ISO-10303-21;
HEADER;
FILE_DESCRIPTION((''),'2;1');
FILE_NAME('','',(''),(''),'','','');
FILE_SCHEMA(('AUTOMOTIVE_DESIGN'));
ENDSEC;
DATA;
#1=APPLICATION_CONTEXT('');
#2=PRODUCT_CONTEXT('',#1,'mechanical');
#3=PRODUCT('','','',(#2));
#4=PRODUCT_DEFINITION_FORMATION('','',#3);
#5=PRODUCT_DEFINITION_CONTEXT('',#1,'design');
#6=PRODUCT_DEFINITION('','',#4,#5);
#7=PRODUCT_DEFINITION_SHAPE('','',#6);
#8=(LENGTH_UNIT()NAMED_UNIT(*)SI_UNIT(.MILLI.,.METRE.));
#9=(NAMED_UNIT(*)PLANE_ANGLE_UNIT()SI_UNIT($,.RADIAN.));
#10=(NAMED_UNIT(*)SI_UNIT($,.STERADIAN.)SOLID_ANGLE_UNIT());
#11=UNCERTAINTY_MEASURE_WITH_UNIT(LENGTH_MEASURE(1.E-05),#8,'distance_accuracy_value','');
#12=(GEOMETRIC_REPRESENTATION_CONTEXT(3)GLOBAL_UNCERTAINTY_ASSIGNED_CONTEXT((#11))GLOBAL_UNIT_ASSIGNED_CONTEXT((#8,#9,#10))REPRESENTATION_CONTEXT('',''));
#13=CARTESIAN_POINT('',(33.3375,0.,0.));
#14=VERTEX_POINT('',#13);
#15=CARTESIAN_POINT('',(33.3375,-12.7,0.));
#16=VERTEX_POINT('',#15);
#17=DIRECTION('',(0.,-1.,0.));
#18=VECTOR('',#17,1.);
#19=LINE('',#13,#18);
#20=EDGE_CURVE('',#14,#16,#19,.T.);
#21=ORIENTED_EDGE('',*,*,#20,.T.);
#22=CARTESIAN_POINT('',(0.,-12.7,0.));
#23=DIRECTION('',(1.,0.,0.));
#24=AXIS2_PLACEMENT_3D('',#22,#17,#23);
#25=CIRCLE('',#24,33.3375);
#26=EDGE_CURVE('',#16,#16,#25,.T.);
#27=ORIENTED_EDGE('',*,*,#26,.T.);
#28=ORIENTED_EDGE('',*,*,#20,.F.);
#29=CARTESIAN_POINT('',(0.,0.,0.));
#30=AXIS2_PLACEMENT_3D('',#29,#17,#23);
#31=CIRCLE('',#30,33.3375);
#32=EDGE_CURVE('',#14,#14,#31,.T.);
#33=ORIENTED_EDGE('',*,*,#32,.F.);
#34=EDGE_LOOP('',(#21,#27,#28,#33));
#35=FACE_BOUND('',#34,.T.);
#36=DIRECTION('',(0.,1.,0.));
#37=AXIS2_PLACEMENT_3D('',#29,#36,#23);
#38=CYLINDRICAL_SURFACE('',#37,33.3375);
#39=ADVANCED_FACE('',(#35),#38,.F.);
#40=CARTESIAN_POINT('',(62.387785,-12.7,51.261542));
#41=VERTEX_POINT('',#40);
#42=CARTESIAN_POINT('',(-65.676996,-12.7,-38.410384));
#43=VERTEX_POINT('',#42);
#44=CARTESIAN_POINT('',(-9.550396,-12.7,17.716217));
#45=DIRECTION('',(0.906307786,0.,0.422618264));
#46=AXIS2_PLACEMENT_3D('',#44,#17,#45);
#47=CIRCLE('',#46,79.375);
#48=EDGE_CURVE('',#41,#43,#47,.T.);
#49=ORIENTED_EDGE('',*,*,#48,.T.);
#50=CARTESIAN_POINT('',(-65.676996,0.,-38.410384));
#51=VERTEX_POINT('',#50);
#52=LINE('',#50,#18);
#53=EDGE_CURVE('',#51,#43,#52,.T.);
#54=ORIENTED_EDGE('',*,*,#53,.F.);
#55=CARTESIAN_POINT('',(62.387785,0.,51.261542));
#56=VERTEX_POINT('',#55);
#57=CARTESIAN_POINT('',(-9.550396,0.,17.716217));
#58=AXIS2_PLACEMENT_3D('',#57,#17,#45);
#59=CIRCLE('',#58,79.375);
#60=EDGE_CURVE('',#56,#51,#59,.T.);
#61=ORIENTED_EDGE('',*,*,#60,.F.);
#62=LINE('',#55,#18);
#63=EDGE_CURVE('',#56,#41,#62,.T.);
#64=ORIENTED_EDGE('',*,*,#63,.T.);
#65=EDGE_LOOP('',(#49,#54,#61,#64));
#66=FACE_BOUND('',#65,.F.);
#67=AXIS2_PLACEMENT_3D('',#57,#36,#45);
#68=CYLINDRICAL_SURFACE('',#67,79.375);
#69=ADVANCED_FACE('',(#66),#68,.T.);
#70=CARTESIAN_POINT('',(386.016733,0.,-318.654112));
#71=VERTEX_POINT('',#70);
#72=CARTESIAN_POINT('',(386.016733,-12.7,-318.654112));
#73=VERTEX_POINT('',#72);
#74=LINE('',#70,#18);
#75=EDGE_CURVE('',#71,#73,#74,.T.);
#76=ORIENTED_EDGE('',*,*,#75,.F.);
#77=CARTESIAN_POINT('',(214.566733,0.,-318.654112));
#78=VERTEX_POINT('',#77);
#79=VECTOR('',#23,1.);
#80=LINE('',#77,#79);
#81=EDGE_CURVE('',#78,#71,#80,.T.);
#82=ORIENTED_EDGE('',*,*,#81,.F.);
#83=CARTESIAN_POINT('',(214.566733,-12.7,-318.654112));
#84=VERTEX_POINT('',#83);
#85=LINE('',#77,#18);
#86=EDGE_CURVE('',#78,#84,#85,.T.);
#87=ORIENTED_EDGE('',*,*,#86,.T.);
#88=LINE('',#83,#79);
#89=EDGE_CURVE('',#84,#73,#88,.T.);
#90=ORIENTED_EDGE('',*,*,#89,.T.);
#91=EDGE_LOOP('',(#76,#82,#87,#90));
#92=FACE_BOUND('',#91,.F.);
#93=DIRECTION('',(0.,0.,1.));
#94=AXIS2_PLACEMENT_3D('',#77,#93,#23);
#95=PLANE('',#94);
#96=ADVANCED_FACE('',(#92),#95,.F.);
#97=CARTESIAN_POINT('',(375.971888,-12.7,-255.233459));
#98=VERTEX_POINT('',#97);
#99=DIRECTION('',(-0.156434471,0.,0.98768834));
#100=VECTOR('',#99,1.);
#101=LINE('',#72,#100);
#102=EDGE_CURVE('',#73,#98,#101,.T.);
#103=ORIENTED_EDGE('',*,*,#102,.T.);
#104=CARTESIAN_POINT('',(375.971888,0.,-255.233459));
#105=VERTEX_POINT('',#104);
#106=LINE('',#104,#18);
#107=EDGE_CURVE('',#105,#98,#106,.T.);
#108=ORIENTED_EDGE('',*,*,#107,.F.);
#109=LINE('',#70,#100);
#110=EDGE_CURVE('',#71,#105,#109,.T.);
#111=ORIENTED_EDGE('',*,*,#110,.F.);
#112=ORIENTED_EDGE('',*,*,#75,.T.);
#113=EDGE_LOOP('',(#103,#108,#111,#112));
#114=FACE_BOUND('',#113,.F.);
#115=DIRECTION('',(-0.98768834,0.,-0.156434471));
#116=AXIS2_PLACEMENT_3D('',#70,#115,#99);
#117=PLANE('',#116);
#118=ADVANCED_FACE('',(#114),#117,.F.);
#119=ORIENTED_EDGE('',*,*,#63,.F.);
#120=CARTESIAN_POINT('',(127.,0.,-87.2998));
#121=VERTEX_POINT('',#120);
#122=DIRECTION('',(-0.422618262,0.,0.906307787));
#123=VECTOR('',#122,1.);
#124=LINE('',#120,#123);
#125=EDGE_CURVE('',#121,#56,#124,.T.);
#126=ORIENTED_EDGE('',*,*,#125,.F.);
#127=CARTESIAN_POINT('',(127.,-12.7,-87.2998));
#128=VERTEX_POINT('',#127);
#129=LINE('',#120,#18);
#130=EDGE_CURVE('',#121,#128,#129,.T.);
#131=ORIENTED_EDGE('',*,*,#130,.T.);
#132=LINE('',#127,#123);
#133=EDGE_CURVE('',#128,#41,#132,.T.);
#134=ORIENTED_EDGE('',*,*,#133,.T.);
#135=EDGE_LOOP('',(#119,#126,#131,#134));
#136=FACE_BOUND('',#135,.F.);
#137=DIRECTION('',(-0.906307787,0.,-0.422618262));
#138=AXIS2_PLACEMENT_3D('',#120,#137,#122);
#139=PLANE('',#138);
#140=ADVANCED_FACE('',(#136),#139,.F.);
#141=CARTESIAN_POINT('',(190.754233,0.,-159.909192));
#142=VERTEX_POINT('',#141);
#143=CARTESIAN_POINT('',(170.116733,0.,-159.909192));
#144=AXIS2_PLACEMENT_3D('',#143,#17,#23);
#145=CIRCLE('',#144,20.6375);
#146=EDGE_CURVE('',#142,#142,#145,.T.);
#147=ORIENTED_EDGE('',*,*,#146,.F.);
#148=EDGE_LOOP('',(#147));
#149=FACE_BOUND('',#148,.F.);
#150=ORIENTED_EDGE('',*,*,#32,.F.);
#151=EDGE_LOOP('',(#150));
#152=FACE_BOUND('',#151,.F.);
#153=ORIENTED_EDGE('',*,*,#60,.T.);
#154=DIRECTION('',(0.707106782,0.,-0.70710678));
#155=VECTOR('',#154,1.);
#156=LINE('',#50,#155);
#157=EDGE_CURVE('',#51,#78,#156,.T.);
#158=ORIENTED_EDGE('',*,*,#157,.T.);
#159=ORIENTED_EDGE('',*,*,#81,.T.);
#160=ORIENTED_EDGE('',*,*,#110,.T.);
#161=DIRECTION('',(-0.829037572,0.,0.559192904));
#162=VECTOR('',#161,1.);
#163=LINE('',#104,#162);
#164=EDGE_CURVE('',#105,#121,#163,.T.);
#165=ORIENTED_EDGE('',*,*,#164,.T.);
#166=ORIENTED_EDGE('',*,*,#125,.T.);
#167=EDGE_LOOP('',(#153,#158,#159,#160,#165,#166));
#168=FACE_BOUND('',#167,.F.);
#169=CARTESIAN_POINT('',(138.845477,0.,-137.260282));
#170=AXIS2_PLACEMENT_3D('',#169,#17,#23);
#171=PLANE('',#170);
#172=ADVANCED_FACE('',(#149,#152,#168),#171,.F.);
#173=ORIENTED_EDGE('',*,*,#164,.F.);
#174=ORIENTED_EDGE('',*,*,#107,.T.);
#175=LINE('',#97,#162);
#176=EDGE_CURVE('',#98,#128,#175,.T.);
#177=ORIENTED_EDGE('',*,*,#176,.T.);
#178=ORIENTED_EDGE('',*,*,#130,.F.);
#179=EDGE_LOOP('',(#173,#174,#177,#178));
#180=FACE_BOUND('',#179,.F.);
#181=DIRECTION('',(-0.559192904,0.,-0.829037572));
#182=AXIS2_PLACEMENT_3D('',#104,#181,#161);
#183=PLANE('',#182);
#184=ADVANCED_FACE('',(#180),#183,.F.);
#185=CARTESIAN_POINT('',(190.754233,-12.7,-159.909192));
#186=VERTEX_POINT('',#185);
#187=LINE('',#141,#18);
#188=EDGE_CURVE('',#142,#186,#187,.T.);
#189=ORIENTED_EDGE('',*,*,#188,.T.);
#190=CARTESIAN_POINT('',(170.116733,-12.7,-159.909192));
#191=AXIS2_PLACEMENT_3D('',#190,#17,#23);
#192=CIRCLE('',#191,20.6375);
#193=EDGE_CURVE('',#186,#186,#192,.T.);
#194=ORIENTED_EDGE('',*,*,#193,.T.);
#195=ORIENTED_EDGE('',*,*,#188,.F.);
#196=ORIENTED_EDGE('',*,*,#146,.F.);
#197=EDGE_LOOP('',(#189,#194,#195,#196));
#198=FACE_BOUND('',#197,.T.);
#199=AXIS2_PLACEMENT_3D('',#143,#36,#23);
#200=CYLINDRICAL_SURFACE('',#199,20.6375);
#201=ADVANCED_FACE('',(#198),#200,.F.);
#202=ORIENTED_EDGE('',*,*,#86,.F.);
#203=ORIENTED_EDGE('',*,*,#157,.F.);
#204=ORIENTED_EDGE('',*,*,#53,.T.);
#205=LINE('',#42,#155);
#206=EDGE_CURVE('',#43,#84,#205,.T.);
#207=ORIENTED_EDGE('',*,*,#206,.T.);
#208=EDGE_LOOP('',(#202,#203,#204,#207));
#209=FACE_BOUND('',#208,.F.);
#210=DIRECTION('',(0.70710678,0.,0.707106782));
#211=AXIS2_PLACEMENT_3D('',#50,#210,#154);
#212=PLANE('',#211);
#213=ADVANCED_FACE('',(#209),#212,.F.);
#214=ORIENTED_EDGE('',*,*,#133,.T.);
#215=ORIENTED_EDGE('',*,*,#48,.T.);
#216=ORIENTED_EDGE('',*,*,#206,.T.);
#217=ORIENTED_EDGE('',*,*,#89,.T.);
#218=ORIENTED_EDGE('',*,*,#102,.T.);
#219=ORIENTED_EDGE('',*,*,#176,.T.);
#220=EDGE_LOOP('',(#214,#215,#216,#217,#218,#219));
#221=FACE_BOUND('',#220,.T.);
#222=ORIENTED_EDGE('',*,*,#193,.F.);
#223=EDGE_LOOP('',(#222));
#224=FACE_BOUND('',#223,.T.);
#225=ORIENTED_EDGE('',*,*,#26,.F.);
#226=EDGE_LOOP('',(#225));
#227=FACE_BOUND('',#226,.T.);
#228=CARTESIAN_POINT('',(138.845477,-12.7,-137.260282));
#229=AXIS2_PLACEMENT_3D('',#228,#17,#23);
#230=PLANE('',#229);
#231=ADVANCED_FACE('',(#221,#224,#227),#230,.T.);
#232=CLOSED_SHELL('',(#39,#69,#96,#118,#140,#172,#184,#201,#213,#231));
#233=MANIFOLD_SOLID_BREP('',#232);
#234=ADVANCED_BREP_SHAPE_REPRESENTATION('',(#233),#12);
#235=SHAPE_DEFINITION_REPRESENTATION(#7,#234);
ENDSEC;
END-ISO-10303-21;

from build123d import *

# Parameters (mm, degrees)
F0_R     = 20.6375
F0_R_2   = 33.3375
F1_DEPTH = 12.7


with BuildPart() as f1:
    # F0 (on Front) → F1 (new body)
    with BuildSketch(Plane.XZ):
        with BuildLine():
            Line((127, -87.2998), (62.387785, 51.261542))
            ThreePointArc((62.387785, 51.261542), (-55.078025, 82.736411), (-65.676996, -38.410384))
            Line((-65.676996, -38.410384), (214.566733, -318.654112))
            Line((214.566733, -318.654112), (386.016733, -318.654112))
            Line((386.016733, -318.654112), (375.971888, -255.233459))
            Line((375.971888, -255.233459), (127, -87.2998))
        make_face()
        with Locations((170.116733, -159.909192)):
            Circle(F0_R, mode=Mode.SUBTRACT)
        Circle(F0_R_2, mode=Mode.SUBTRACT)
    extrude(amount=F1_DEPTH)


solid = f1.part
